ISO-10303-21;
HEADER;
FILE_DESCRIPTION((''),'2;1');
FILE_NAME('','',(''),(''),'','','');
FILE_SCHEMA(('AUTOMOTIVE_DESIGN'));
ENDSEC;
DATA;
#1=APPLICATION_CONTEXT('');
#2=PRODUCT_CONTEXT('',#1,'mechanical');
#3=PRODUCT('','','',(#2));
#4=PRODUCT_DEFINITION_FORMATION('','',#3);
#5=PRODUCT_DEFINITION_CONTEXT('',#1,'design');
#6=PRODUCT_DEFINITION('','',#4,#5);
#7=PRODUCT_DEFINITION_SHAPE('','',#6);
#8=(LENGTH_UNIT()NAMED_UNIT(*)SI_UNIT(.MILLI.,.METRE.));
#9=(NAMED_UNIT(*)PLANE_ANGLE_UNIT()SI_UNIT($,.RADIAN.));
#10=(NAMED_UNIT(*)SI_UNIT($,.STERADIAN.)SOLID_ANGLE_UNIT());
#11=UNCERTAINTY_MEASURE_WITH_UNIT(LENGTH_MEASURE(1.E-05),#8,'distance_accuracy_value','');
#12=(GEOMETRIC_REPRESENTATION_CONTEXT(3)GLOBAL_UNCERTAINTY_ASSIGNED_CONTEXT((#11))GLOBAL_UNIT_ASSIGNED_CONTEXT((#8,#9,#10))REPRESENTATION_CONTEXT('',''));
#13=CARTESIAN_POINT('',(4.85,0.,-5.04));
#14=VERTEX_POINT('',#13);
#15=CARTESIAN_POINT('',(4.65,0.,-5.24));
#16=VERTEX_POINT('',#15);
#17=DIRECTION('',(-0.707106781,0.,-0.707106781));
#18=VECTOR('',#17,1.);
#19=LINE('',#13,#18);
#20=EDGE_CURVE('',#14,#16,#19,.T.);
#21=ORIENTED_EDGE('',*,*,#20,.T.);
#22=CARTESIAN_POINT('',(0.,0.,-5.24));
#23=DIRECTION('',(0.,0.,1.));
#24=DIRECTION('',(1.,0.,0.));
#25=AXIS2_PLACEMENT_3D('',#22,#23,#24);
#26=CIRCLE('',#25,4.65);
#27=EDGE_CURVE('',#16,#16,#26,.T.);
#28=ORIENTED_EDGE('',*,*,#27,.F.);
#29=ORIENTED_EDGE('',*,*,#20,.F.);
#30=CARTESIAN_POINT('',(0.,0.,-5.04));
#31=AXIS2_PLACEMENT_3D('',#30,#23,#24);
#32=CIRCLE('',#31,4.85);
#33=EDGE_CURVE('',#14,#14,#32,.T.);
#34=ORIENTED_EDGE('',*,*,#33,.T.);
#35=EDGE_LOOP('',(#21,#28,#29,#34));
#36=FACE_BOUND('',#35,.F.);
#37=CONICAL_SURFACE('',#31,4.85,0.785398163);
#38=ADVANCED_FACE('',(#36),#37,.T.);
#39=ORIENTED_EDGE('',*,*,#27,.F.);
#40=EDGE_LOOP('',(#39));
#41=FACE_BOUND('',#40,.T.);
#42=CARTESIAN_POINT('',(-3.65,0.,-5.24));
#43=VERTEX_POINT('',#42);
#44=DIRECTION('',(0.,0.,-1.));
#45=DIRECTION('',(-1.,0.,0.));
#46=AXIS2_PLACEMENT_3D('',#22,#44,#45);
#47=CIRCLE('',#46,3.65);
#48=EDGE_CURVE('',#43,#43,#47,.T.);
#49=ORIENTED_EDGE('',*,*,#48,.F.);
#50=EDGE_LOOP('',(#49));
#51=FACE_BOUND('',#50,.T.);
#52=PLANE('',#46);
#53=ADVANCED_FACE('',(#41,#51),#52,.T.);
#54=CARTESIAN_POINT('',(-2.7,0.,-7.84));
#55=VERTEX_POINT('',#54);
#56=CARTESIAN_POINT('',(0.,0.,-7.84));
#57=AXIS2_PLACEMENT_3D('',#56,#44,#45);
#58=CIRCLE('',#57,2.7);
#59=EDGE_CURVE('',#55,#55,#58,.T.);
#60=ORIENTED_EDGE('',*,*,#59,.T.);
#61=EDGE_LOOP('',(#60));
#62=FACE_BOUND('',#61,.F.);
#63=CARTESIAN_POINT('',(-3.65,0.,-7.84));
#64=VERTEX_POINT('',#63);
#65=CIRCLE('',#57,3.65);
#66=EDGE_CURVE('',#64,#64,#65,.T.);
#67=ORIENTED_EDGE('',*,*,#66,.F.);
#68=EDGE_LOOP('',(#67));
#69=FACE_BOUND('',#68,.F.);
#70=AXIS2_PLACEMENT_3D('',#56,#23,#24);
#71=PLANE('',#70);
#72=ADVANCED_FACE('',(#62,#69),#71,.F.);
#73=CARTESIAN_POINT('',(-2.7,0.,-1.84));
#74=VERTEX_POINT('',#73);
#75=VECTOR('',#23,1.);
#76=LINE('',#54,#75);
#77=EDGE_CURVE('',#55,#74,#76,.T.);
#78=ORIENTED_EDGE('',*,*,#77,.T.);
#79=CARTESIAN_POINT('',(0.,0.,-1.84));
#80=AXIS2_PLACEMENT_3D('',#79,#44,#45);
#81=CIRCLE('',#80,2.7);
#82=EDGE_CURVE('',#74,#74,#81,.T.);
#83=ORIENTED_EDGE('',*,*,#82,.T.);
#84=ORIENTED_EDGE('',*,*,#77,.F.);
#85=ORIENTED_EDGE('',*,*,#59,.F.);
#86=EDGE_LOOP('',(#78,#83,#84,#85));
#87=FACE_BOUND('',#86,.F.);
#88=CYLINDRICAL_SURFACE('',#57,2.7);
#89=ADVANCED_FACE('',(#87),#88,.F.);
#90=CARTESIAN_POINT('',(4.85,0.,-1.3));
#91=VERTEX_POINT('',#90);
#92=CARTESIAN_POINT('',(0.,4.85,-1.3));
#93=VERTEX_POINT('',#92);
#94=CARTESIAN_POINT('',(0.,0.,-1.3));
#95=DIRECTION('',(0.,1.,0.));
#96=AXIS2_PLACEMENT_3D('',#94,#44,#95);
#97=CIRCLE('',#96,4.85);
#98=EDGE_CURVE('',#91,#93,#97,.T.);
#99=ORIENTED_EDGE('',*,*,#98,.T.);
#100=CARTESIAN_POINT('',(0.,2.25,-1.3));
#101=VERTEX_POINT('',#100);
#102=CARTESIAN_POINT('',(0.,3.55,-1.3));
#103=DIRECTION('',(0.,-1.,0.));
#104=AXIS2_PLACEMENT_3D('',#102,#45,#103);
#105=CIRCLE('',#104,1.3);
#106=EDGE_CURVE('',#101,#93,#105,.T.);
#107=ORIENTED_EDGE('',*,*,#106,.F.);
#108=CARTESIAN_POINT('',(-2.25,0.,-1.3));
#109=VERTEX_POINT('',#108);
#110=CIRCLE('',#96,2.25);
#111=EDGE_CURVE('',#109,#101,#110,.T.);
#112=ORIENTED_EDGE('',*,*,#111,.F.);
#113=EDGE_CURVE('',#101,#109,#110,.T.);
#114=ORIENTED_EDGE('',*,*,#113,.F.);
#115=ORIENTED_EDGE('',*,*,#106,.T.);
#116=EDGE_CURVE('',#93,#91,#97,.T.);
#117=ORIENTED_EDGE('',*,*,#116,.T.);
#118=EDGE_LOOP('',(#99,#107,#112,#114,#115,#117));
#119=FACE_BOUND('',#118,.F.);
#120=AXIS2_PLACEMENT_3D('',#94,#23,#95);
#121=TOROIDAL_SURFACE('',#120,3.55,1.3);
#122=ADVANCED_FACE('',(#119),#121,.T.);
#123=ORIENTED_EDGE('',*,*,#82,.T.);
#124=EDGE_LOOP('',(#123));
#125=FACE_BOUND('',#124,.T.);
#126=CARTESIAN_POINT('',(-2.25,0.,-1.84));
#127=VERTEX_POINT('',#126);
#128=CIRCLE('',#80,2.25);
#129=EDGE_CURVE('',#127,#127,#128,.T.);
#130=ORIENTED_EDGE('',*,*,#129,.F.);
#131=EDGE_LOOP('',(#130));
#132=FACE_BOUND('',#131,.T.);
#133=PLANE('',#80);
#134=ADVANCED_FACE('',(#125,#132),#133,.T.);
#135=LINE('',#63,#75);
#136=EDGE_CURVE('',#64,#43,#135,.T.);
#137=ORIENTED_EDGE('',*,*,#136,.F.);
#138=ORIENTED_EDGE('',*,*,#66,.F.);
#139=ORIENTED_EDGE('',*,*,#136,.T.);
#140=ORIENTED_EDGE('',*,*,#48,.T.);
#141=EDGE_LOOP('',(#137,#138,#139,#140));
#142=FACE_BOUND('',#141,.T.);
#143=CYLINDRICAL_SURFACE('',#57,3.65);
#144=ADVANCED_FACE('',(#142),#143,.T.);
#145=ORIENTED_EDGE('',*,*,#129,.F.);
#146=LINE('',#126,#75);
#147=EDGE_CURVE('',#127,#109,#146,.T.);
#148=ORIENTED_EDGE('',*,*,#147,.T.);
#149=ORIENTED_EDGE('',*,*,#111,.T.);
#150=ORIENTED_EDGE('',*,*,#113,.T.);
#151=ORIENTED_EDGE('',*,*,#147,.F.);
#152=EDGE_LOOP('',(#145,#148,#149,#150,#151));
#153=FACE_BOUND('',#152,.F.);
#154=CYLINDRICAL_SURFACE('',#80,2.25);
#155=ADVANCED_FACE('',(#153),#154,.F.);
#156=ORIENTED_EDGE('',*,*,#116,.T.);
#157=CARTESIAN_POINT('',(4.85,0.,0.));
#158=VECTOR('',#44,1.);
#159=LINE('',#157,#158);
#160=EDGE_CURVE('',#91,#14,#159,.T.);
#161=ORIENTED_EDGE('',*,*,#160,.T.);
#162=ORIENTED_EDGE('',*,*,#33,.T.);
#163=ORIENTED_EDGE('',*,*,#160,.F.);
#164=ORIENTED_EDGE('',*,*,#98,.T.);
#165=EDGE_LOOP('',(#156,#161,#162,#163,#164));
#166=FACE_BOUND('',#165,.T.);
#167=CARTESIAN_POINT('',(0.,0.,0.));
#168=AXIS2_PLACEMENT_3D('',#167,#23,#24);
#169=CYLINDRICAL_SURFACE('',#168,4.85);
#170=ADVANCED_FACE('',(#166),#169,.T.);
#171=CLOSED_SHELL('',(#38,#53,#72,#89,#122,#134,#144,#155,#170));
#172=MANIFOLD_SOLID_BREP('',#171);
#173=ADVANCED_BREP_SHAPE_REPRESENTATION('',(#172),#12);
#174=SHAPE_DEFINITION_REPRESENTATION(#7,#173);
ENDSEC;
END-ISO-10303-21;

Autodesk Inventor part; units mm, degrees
ref_plane "YZ Plane" through (0, 0, 0) normal (1, 0, 0) x (0, 1, 0)
ref_plane "XZ Plane" through (0, 0, 0) normal (0, 1, 0) x (-1, 0, 0)
ref_plane "XY Plane" through (0, 0, 0) normal (0, 0, 1) x (1, 0, 0)
sketch "Sketch1" plane through (0, 0, 0) normal (0, 0, 1) x (1, 0, 0)
  circle A0 centre (0, 0) radius 4.85
  dimension "d0" = 9.7
extrude "Extrusion1" add sketch "Sketch1" against normal blind 7.84
sketch "Sketch2" plane through (0, 0, -7.84) normal (0, 0, -1) x (-1, 0, 0)
  circle A0 centre (0, 0) radius 4.85
  circle A1 centre (0, 0) radius 3.65
  circle A2 centre (0, 0) radius 4.85 projected
  dimension "d3" = 7.3
extrude "Extrusion2" cut sketch "Sketch2" against normal blind 2.6
sketch "Sketch5" plane through (0, 0, -7.84) normal (0, 0, -1) x (-1, 0, 0)
  circle A0 centre (0, 0) radius 2.7
  dimension "d21" = 5.4
extrude "Extrusion4" cut sketch "Sketch5" against normal blind 6
sketch "Sketch6" plane through (0, 0, -1.84) normal (0, 0, -1) x (-1, 0, 0)
  circle A0 centre (0, 0) radius 2.25
  dimension "d24" = 4.5
extrude "Extrusion5" cut sketch "Sketch6" against normal through all
sketch "Sketch7" plane through (0, 0, 0) normal (1, 0, 0) x (0, 1, 0)
  line L0 (4.85, 1) -> (4.85, -1.3)
  arc A0 (4.85, -1.3) -> (2.25, -1.3) centre (3.55, -1.3) ccw
  line L1 (2.25, -1.3) -> (2.25, 1)
  line L2 (2.25, 1) -> (4.85, 1)
  line L3 (0, 6.9365) -> (0, -11.7629) construction
  point P0 (0, 0)
  point P1 (4.85, -0.15)
  dimension "d27" = 4.85
  dimension "d28" = 2.25
  dimension "d29" = 1.3
  dimension "d30" = 1
revolve "Revolution2" cut sketch "Sketch7" angle 360 about axis through (0, 0, 6.9365) along (0, 0, -1)
chamfer "Chamfer2" distance 0.2 angle 45 1 edges at (-4.85, 0, -5.24)
properties part number "cap_top"
